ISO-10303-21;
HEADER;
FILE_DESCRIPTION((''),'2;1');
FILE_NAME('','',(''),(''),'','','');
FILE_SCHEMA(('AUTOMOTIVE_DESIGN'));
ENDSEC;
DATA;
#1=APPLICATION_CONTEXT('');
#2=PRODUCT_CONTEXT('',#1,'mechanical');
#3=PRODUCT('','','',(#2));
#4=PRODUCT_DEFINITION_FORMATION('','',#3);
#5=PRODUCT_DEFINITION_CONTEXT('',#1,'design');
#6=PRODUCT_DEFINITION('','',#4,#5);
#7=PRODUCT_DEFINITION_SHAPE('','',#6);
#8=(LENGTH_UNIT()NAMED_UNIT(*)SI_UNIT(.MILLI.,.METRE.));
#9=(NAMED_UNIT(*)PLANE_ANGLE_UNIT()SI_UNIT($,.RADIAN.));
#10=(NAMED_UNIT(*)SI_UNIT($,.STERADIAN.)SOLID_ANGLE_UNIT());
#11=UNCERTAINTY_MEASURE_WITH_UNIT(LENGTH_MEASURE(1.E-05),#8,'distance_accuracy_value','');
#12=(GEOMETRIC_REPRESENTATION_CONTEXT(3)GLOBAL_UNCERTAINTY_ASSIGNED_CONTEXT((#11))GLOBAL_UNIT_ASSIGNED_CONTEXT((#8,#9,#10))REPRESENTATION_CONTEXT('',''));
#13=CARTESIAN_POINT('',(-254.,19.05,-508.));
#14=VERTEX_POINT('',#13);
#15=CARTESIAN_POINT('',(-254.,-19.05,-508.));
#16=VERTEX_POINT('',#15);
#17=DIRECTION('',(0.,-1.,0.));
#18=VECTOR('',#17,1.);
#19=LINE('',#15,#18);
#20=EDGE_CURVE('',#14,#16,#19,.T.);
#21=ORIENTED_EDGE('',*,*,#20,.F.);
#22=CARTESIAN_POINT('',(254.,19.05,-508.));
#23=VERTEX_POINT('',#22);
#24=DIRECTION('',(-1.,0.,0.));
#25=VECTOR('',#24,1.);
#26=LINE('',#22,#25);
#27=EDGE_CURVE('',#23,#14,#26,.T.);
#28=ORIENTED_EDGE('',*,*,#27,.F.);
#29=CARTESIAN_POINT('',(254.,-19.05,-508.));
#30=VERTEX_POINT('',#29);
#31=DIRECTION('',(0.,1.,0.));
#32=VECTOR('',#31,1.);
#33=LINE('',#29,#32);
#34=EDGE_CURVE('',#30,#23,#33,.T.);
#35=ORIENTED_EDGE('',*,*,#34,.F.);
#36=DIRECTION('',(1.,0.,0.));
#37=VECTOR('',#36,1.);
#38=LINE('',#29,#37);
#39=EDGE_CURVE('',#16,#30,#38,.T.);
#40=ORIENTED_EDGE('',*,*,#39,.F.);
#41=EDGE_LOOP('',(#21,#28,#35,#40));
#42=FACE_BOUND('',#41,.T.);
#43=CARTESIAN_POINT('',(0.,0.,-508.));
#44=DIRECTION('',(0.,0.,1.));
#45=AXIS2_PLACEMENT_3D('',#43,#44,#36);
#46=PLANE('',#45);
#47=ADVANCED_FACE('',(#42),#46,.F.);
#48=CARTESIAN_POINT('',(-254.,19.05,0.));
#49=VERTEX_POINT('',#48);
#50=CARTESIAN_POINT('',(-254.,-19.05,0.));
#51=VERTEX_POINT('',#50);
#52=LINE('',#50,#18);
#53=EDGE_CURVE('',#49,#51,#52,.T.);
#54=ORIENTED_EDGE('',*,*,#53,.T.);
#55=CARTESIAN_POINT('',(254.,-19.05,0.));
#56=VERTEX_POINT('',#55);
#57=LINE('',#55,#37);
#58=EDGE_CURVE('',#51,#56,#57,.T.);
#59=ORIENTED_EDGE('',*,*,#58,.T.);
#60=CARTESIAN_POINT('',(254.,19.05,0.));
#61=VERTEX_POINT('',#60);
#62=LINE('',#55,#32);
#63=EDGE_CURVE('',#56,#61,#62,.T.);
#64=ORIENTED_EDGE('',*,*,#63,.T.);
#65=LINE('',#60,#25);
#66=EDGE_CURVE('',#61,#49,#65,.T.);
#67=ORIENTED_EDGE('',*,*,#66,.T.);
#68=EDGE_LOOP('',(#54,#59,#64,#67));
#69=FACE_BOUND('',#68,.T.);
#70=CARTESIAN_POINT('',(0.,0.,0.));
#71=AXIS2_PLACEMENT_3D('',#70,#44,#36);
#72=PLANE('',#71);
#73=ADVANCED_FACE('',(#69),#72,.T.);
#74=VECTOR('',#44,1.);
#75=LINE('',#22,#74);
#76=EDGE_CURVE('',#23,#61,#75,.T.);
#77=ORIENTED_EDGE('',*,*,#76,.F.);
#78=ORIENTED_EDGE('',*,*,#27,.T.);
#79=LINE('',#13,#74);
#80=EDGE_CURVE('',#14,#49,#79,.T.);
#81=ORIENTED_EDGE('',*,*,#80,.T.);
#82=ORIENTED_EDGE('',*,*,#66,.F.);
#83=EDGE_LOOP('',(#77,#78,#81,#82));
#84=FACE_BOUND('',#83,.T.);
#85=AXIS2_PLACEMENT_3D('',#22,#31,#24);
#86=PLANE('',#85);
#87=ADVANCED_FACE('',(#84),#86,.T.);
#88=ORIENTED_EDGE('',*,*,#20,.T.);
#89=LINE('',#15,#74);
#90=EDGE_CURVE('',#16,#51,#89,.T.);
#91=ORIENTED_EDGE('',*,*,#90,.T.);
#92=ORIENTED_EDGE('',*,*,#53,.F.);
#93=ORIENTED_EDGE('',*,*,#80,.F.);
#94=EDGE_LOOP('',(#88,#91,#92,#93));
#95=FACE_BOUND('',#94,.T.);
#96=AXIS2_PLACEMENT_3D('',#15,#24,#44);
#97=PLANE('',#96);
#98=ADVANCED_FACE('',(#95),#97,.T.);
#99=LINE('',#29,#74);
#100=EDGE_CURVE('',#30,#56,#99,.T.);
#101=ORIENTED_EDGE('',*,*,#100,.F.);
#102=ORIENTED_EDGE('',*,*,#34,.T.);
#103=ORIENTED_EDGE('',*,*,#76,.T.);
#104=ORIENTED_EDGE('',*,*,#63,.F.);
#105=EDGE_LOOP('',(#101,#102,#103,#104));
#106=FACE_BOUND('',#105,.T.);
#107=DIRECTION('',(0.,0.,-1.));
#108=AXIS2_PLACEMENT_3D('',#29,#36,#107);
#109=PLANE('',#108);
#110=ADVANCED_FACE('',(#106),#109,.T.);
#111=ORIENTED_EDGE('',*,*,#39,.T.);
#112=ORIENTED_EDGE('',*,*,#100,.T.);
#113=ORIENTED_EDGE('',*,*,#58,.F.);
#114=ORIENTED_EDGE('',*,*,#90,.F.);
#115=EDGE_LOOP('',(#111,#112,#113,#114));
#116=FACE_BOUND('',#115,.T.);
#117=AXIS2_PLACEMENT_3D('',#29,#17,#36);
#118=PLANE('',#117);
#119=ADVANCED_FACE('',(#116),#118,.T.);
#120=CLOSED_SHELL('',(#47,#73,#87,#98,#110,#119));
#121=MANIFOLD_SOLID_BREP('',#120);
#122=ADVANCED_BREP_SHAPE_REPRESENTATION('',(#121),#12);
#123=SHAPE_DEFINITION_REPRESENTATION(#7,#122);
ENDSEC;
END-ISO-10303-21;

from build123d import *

# Parameters (mm, degrees)
CROQUIS1_W              = 508
CROQUIS1_H              = 38.1
SALIENTE_EXTRUIR1_DEPTH = 508


with BuildPart() as part:
    # Croquis1 → Saliente-Extruir1 (new body)
    with BuildSketch(Plane.XY):
        Rectangle(CROQUIS1_W, CROQUIS1_H)
    extrude(amount=-SALIENTE_EXTRUIR1_DEPTH)


solid = part.part
